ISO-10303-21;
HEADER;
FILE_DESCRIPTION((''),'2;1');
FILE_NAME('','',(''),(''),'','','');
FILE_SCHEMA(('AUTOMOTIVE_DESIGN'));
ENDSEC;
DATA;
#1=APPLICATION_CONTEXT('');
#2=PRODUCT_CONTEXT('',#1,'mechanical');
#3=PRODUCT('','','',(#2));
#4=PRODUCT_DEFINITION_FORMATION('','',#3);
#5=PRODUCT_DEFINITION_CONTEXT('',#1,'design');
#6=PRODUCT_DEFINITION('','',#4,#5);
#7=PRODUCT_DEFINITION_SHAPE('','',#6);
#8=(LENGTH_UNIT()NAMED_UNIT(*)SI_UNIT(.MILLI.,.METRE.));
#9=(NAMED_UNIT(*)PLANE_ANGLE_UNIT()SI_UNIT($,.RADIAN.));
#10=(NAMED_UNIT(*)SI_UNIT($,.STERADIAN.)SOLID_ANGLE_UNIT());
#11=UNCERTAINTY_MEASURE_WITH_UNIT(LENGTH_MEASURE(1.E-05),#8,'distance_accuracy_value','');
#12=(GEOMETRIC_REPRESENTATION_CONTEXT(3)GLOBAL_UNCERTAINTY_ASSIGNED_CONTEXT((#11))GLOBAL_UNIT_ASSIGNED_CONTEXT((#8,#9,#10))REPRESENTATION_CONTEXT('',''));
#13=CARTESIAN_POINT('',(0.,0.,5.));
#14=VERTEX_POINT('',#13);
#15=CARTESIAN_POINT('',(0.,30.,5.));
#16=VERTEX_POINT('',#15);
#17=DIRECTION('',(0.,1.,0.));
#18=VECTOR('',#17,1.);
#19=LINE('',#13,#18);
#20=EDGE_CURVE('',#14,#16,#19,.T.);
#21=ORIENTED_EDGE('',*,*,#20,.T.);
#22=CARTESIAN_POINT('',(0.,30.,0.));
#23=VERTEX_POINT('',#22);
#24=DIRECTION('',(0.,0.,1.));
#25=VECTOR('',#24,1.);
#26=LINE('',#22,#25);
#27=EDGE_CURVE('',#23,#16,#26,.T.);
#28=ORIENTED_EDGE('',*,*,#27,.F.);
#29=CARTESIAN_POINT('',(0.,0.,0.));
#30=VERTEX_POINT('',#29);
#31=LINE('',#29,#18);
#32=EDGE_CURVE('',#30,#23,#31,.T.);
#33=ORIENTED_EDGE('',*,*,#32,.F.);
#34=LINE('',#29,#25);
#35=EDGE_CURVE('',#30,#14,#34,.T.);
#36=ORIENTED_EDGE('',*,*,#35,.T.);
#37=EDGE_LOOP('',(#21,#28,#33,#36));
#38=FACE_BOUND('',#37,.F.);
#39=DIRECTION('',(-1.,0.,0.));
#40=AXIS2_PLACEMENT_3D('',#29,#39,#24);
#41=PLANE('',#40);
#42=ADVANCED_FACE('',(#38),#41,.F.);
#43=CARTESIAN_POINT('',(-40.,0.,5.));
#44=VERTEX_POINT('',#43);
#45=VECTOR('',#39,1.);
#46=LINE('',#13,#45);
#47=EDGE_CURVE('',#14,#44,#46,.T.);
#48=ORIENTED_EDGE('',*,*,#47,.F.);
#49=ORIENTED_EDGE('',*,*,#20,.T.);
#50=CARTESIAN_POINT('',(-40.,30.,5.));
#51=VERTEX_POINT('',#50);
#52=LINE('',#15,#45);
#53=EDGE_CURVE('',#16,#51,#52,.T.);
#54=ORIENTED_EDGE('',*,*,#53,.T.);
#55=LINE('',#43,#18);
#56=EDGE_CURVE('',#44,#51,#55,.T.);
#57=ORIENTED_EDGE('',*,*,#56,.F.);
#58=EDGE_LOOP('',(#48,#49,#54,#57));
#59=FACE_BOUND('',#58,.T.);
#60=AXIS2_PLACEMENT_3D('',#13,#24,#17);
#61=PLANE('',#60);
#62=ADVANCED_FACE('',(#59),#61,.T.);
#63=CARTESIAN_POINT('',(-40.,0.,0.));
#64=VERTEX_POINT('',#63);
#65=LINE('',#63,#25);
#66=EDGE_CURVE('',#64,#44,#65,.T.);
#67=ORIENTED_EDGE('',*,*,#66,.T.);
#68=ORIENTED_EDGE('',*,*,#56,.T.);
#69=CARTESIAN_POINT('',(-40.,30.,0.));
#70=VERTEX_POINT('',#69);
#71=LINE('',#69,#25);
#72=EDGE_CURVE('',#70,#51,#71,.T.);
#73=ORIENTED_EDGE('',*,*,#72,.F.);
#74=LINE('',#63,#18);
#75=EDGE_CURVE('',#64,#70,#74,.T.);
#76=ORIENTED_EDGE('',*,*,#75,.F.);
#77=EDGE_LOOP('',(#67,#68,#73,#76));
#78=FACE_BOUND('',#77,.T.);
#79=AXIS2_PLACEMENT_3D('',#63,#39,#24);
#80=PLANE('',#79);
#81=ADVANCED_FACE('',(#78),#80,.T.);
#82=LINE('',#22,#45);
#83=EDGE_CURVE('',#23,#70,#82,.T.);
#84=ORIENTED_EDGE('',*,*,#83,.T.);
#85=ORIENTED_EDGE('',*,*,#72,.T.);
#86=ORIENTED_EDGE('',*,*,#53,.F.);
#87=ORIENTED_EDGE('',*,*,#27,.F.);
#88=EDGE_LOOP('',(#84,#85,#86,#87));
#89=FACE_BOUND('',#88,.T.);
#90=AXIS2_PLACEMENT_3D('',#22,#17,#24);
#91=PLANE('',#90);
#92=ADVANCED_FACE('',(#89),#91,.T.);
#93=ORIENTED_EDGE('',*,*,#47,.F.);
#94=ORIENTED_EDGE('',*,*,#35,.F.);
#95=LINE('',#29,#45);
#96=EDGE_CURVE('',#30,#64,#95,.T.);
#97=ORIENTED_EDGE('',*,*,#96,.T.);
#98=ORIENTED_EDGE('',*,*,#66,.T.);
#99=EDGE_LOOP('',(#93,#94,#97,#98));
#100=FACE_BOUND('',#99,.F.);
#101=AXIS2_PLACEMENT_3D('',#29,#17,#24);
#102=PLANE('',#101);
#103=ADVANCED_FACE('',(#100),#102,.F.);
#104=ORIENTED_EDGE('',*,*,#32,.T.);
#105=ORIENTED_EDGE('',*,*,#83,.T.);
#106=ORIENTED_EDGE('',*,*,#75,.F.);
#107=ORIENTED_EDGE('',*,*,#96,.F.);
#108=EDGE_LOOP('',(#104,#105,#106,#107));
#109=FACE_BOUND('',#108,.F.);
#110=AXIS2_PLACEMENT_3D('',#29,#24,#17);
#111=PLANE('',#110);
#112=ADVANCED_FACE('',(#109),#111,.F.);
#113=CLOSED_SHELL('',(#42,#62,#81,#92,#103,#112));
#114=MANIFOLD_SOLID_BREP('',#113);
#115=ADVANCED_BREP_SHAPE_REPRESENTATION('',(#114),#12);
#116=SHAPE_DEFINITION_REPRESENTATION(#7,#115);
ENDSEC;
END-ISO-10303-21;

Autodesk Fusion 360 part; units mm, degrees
box "BoxPrimitive1" add length 30 width 40 height 5 placed x (0, 1, 0) y (-1, 0, 0) z (0, 0, 1) at (0, 0, 0)
